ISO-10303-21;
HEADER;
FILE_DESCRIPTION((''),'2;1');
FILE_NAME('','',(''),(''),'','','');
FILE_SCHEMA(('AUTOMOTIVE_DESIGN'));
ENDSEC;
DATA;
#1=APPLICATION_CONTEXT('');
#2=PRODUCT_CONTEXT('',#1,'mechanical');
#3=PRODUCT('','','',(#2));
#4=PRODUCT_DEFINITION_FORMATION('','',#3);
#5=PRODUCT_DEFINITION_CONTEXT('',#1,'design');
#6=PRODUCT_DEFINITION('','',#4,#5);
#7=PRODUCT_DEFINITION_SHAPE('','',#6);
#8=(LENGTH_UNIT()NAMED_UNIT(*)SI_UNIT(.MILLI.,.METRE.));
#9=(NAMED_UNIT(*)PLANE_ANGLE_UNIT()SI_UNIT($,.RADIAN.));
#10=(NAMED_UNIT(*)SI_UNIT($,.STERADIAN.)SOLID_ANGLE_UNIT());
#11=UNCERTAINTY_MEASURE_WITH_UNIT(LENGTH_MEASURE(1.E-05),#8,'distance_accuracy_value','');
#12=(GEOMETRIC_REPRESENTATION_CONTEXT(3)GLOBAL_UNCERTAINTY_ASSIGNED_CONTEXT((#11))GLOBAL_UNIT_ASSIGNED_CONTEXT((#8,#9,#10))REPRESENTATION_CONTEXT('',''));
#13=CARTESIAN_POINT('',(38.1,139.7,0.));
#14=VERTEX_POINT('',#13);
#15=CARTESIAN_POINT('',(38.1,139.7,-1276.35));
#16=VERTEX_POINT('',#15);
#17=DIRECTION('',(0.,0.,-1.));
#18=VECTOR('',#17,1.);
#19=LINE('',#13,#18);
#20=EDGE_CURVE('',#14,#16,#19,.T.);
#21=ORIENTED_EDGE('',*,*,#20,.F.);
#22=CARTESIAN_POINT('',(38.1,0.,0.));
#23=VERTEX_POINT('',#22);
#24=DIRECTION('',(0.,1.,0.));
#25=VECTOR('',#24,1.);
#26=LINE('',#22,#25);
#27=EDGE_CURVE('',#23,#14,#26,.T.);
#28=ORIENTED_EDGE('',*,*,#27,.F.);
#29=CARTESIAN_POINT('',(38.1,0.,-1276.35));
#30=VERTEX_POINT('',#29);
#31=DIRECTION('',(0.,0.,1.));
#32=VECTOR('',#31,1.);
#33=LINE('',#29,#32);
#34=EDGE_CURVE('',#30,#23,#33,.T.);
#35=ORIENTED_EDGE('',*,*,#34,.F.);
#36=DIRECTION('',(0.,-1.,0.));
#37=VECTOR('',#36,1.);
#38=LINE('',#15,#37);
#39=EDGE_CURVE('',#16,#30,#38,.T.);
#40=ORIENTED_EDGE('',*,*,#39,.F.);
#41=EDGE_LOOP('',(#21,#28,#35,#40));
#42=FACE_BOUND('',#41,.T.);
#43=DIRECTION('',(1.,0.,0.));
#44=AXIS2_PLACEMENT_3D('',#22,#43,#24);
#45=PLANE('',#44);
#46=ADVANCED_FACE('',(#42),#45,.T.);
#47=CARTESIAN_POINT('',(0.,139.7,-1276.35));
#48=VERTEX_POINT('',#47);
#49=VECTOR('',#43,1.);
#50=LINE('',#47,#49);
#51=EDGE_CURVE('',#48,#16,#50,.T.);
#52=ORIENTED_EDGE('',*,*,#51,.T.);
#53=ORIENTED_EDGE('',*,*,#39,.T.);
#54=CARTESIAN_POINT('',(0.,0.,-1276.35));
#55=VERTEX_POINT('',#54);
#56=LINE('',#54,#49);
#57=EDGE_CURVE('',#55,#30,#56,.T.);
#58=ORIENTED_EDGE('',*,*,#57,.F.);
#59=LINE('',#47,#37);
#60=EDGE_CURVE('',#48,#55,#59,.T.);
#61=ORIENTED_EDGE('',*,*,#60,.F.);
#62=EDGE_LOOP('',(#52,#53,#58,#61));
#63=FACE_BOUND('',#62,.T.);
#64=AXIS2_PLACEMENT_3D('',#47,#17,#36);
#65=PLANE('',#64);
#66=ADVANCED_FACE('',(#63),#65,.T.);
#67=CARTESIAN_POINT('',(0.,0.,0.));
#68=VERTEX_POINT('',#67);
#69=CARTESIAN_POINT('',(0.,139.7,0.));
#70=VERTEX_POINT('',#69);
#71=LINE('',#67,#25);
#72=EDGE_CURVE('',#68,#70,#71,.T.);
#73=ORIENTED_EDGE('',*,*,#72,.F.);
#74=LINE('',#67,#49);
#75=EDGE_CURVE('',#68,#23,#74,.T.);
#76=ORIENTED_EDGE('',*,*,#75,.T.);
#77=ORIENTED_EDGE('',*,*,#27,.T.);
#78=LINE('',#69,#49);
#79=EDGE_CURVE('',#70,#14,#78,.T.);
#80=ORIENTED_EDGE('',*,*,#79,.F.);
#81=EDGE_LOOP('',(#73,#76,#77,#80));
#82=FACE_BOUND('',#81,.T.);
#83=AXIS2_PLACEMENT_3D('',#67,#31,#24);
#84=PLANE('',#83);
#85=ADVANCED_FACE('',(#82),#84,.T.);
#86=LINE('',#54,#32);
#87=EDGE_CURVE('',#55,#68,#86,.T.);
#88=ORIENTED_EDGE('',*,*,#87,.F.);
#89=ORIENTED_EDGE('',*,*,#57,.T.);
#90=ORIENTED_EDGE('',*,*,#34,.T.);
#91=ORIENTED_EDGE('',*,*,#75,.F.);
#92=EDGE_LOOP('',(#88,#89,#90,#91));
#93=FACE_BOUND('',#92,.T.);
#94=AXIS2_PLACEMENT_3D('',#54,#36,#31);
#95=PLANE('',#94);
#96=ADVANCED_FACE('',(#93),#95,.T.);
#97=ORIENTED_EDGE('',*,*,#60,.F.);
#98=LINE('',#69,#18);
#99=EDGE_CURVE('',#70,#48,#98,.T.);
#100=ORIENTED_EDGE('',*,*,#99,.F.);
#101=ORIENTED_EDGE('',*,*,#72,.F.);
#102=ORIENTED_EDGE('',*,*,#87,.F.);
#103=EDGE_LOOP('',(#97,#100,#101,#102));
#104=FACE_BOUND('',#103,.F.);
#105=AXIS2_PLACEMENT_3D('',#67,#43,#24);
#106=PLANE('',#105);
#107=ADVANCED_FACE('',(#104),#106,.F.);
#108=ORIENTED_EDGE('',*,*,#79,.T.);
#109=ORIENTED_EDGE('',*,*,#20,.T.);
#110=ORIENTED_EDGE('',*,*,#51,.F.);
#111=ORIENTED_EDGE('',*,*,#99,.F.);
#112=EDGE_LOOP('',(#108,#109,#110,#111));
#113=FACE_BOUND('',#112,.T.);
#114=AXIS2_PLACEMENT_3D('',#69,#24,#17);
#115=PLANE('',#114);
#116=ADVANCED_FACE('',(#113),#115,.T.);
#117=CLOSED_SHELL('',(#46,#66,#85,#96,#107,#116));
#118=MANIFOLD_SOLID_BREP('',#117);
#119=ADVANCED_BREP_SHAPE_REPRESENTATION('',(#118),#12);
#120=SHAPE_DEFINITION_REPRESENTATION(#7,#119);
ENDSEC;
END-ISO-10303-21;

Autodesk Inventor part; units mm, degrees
ref_plane "YZ Plane" through (0, 0, 0) normal (1, 0, 0) x (0, 1, 0)
ref_plane "XZ Plane" through (0, 0, 0) normal (0, 1, 0) x (-1, 0, 0)
ref_plane "XY Plane" through (0, 0, 0) normal (0, 0, 1) x (1, 0, 0)
sketch "Sketch1" plane through (0, 0, 0) normal (1, 0, 0) x (0, 1, 0)
  line L0 (0, 0) -> (139.7, 0)
  line L1 (139.7, 0) -> (139.7, -1276.35)
  line L2 (139.7, -1276.35) -> (0, -1276.35)
  line L3 (0, -1276.35) -> (0, 0)
  dimension "d1" = 1276.35
  dimension "d4" = 139.7
extrude "Extrusion1" add sketch "Sketch1" along normal blind 38.1
properties part number "Header_With_Dimensions_1.5_x_5.5_x_50.25_Inches" material "Wood (Birch)"
